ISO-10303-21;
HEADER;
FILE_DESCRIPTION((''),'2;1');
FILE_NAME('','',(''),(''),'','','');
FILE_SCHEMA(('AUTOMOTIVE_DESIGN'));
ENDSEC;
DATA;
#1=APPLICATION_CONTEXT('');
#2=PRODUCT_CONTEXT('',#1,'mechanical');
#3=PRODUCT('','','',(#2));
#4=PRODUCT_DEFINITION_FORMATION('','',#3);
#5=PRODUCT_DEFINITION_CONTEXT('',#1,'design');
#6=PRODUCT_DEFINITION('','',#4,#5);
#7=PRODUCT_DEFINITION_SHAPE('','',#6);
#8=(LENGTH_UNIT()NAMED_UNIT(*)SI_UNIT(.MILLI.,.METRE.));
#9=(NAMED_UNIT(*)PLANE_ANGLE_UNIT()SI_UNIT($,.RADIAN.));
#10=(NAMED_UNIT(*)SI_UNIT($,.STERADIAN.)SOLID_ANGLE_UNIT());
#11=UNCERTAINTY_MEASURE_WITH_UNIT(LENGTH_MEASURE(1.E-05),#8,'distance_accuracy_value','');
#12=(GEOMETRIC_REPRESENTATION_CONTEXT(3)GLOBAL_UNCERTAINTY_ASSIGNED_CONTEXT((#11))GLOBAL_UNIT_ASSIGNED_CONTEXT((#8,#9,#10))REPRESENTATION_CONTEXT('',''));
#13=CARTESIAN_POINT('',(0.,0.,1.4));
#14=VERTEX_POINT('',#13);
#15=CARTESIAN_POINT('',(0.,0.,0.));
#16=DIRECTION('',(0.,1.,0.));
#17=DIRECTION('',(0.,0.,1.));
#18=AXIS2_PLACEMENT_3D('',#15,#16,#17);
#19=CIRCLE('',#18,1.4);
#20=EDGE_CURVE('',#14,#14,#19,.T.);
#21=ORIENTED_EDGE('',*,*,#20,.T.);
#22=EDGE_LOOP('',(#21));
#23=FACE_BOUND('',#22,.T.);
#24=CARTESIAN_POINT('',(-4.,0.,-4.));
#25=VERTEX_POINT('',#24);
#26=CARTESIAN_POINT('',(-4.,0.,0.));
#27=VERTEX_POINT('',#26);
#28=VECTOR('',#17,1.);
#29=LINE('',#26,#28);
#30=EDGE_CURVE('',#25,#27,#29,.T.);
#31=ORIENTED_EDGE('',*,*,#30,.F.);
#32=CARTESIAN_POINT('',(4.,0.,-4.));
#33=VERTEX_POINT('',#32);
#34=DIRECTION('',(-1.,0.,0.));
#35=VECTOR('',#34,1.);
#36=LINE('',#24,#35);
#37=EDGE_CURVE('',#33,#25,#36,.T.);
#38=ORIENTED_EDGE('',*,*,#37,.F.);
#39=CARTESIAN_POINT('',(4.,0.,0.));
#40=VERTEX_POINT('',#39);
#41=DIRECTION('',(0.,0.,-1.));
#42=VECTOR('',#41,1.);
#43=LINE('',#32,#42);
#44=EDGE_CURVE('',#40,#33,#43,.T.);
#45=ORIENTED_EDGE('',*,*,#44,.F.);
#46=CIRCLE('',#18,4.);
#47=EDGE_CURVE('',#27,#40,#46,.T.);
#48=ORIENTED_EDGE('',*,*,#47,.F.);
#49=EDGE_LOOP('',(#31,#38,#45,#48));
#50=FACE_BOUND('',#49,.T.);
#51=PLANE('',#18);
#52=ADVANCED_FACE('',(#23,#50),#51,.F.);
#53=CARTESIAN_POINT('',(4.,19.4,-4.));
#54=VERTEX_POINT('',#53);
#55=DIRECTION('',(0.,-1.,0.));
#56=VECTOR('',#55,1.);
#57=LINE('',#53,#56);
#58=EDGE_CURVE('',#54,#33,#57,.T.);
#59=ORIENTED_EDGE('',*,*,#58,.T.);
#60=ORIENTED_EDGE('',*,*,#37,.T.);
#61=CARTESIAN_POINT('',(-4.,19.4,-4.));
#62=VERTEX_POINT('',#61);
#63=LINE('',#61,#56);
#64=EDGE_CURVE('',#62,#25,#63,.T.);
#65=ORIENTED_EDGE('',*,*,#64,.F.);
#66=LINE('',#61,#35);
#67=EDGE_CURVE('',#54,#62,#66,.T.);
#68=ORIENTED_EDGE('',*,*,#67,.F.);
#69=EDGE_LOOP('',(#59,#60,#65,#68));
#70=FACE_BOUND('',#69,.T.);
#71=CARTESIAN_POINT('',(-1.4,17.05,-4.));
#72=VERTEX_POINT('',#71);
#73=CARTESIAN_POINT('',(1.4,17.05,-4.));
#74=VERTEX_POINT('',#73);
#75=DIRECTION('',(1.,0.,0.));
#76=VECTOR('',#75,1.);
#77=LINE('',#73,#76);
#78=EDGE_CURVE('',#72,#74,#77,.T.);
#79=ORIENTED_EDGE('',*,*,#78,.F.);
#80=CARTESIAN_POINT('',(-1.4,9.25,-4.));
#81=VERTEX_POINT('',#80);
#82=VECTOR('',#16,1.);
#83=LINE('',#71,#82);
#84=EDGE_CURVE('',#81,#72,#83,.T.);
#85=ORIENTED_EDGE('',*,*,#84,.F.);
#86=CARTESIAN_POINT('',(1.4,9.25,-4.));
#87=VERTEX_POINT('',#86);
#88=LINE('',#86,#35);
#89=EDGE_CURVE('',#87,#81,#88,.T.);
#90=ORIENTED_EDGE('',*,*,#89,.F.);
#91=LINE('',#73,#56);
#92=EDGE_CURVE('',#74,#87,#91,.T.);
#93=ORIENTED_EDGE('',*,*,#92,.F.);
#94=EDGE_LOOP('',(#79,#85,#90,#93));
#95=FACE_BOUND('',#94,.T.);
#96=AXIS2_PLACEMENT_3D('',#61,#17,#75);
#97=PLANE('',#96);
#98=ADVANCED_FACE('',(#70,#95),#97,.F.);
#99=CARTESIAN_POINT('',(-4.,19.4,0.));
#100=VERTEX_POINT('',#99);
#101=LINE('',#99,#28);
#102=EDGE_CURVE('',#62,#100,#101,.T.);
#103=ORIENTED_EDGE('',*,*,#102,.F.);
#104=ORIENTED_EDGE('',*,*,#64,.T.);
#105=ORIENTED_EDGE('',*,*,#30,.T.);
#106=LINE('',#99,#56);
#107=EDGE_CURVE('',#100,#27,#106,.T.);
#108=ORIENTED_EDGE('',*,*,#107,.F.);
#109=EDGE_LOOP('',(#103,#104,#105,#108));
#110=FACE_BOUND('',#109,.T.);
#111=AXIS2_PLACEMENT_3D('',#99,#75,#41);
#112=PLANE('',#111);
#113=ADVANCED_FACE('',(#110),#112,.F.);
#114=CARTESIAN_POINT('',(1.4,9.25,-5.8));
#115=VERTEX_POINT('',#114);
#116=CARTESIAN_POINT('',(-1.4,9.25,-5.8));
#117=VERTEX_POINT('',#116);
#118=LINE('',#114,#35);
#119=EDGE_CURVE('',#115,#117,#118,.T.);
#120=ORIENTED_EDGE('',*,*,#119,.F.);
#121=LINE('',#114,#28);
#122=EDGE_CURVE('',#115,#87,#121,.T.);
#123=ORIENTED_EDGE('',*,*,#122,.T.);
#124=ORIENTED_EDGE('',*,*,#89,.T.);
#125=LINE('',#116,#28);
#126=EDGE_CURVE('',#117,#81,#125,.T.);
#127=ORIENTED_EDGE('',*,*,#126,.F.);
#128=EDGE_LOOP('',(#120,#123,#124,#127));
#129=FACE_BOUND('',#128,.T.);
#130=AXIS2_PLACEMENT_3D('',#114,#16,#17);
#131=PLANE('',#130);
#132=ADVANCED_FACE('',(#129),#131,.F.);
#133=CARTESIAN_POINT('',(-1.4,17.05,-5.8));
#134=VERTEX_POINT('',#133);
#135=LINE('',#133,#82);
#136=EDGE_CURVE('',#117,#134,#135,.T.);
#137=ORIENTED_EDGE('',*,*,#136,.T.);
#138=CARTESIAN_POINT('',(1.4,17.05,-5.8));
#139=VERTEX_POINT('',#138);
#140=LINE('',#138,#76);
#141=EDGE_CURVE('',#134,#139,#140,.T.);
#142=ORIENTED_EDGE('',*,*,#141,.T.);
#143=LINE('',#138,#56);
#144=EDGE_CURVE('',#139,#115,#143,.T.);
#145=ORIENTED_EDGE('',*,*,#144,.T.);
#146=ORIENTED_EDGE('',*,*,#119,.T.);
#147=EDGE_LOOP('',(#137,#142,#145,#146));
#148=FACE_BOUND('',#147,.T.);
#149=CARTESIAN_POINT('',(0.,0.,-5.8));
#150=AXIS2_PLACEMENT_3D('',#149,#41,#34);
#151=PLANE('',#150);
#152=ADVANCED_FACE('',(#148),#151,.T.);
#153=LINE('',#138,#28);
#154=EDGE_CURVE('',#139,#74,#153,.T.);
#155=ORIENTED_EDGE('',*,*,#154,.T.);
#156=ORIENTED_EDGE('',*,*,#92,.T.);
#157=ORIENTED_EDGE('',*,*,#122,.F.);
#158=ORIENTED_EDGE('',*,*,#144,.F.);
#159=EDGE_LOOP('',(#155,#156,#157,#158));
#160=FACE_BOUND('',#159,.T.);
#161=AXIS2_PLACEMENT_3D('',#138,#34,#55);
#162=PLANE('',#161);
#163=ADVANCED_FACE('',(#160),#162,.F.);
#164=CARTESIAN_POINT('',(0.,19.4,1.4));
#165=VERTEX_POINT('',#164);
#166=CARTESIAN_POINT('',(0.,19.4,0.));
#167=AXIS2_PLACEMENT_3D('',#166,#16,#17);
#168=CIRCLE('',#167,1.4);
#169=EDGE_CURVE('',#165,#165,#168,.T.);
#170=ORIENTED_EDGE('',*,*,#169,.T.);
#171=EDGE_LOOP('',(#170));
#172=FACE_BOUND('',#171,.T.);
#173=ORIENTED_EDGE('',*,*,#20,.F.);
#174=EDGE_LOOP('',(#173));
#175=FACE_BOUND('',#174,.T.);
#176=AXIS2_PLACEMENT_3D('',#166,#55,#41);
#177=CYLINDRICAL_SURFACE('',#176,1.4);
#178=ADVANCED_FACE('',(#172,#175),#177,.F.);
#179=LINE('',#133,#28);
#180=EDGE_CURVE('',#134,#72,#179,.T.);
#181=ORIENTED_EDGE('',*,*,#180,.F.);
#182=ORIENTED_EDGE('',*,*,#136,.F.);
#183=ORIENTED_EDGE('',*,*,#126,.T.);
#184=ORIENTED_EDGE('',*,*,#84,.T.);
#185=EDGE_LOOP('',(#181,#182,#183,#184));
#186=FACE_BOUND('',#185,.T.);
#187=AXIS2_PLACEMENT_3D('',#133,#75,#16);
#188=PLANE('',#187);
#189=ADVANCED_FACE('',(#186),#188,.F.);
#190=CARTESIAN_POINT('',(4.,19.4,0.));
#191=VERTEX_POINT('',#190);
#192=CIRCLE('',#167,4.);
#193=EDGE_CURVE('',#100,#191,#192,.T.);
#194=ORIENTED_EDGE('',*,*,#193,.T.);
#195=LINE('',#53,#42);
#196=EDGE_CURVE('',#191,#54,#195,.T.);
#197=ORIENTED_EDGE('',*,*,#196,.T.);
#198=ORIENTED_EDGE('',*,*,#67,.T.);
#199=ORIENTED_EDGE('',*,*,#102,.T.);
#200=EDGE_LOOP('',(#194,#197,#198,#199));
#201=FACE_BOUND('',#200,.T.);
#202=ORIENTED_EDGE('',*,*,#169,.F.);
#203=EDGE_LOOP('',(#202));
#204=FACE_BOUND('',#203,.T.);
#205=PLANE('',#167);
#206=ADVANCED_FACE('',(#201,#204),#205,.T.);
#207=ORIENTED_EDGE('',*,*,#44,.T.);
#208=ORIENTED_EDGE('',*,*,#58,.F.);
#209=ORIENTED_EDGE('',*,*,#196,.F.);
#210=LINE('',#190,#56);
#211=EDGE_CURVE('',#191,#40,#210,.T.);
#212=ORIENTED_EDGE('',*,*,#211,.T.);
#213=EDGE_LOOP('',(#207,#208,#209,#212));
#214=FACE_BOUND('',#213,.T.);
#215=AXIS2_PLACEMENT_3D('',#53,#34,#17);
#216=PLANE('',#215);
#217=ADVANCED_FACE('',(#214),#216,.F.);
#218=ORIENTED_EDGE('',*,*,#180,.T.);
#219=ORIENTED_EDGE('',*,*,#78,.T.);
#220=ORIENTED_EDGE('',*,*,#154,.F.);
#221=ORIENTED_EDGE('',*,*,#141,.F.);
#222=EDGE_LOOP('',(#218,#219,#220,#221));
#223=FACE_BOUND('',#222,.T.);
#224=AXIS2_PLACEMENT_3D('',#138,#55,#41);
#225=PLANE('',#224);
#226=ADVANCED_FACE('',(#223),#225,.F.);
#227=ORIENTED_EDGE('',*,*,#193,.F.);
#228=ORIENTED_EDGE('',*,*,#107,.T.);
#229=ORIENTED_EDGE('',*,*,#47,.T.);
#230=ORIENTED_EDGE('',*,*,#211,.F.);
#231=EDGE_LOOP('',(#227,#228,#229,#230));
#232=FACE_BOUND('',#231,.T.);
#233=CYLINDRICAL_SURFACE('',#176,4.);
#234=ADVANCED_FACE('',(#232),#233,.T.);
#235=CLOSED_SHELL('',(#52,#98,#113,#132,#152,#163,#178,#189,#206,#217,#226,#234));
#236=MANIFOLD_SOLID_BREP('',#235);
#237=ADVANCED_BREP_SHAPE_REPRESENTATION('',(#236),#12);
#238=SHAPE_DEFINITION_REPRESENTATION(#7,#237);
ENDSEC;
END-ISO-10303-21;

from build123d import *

# Parameters (mm, degrees)
SKETCH1_R           = 1.4
BOSS_EXTRUDE1_DEPTH = 19.4
SKETCH2_W           = 2.8
SKETCH2_H           = 7.8
BOSS_EXTRUDE2_DEPTH = 1.8


with BuildPart() as part:
    # Sketch1 → Boss-Extrude1 (new body)
    with BuildSketch(Plane(origin=(0, 0, 0), x_dir=(1, 0, 0), z_dir=(0, 1, 0))):
        with BuildLine():
            Line((-4, 0), (-4, 4))
            Line((-4, 4), (4, 4))
            Line((4, 4), (4, 0))
            ThreePointArc((4, 0), (0, -4), (-4, 0))
        make_face()
        with Locations(Location((0, 0, 0), (0, 0, 270))):
            Circle(SKETCH1_R, mode=Mode.SUBTRACT)
    extrude(amount=BOSS_EXTRUDE1_DEPTH)

    # Sketch2 → Boss-Extrude2 (add)
    with BuildSketch(Plane(origin=(0, 0, -4), x_dir=(-1, 0, 0), z_dir=(0, 0, -1))):
        with Locations((0, 13.15)):
            Rectangle(SKETCH2_W, SKETCH2_H)
    extrude(amount=BOSS_EXTRUDE2_DEPTH)


solid = part.part
